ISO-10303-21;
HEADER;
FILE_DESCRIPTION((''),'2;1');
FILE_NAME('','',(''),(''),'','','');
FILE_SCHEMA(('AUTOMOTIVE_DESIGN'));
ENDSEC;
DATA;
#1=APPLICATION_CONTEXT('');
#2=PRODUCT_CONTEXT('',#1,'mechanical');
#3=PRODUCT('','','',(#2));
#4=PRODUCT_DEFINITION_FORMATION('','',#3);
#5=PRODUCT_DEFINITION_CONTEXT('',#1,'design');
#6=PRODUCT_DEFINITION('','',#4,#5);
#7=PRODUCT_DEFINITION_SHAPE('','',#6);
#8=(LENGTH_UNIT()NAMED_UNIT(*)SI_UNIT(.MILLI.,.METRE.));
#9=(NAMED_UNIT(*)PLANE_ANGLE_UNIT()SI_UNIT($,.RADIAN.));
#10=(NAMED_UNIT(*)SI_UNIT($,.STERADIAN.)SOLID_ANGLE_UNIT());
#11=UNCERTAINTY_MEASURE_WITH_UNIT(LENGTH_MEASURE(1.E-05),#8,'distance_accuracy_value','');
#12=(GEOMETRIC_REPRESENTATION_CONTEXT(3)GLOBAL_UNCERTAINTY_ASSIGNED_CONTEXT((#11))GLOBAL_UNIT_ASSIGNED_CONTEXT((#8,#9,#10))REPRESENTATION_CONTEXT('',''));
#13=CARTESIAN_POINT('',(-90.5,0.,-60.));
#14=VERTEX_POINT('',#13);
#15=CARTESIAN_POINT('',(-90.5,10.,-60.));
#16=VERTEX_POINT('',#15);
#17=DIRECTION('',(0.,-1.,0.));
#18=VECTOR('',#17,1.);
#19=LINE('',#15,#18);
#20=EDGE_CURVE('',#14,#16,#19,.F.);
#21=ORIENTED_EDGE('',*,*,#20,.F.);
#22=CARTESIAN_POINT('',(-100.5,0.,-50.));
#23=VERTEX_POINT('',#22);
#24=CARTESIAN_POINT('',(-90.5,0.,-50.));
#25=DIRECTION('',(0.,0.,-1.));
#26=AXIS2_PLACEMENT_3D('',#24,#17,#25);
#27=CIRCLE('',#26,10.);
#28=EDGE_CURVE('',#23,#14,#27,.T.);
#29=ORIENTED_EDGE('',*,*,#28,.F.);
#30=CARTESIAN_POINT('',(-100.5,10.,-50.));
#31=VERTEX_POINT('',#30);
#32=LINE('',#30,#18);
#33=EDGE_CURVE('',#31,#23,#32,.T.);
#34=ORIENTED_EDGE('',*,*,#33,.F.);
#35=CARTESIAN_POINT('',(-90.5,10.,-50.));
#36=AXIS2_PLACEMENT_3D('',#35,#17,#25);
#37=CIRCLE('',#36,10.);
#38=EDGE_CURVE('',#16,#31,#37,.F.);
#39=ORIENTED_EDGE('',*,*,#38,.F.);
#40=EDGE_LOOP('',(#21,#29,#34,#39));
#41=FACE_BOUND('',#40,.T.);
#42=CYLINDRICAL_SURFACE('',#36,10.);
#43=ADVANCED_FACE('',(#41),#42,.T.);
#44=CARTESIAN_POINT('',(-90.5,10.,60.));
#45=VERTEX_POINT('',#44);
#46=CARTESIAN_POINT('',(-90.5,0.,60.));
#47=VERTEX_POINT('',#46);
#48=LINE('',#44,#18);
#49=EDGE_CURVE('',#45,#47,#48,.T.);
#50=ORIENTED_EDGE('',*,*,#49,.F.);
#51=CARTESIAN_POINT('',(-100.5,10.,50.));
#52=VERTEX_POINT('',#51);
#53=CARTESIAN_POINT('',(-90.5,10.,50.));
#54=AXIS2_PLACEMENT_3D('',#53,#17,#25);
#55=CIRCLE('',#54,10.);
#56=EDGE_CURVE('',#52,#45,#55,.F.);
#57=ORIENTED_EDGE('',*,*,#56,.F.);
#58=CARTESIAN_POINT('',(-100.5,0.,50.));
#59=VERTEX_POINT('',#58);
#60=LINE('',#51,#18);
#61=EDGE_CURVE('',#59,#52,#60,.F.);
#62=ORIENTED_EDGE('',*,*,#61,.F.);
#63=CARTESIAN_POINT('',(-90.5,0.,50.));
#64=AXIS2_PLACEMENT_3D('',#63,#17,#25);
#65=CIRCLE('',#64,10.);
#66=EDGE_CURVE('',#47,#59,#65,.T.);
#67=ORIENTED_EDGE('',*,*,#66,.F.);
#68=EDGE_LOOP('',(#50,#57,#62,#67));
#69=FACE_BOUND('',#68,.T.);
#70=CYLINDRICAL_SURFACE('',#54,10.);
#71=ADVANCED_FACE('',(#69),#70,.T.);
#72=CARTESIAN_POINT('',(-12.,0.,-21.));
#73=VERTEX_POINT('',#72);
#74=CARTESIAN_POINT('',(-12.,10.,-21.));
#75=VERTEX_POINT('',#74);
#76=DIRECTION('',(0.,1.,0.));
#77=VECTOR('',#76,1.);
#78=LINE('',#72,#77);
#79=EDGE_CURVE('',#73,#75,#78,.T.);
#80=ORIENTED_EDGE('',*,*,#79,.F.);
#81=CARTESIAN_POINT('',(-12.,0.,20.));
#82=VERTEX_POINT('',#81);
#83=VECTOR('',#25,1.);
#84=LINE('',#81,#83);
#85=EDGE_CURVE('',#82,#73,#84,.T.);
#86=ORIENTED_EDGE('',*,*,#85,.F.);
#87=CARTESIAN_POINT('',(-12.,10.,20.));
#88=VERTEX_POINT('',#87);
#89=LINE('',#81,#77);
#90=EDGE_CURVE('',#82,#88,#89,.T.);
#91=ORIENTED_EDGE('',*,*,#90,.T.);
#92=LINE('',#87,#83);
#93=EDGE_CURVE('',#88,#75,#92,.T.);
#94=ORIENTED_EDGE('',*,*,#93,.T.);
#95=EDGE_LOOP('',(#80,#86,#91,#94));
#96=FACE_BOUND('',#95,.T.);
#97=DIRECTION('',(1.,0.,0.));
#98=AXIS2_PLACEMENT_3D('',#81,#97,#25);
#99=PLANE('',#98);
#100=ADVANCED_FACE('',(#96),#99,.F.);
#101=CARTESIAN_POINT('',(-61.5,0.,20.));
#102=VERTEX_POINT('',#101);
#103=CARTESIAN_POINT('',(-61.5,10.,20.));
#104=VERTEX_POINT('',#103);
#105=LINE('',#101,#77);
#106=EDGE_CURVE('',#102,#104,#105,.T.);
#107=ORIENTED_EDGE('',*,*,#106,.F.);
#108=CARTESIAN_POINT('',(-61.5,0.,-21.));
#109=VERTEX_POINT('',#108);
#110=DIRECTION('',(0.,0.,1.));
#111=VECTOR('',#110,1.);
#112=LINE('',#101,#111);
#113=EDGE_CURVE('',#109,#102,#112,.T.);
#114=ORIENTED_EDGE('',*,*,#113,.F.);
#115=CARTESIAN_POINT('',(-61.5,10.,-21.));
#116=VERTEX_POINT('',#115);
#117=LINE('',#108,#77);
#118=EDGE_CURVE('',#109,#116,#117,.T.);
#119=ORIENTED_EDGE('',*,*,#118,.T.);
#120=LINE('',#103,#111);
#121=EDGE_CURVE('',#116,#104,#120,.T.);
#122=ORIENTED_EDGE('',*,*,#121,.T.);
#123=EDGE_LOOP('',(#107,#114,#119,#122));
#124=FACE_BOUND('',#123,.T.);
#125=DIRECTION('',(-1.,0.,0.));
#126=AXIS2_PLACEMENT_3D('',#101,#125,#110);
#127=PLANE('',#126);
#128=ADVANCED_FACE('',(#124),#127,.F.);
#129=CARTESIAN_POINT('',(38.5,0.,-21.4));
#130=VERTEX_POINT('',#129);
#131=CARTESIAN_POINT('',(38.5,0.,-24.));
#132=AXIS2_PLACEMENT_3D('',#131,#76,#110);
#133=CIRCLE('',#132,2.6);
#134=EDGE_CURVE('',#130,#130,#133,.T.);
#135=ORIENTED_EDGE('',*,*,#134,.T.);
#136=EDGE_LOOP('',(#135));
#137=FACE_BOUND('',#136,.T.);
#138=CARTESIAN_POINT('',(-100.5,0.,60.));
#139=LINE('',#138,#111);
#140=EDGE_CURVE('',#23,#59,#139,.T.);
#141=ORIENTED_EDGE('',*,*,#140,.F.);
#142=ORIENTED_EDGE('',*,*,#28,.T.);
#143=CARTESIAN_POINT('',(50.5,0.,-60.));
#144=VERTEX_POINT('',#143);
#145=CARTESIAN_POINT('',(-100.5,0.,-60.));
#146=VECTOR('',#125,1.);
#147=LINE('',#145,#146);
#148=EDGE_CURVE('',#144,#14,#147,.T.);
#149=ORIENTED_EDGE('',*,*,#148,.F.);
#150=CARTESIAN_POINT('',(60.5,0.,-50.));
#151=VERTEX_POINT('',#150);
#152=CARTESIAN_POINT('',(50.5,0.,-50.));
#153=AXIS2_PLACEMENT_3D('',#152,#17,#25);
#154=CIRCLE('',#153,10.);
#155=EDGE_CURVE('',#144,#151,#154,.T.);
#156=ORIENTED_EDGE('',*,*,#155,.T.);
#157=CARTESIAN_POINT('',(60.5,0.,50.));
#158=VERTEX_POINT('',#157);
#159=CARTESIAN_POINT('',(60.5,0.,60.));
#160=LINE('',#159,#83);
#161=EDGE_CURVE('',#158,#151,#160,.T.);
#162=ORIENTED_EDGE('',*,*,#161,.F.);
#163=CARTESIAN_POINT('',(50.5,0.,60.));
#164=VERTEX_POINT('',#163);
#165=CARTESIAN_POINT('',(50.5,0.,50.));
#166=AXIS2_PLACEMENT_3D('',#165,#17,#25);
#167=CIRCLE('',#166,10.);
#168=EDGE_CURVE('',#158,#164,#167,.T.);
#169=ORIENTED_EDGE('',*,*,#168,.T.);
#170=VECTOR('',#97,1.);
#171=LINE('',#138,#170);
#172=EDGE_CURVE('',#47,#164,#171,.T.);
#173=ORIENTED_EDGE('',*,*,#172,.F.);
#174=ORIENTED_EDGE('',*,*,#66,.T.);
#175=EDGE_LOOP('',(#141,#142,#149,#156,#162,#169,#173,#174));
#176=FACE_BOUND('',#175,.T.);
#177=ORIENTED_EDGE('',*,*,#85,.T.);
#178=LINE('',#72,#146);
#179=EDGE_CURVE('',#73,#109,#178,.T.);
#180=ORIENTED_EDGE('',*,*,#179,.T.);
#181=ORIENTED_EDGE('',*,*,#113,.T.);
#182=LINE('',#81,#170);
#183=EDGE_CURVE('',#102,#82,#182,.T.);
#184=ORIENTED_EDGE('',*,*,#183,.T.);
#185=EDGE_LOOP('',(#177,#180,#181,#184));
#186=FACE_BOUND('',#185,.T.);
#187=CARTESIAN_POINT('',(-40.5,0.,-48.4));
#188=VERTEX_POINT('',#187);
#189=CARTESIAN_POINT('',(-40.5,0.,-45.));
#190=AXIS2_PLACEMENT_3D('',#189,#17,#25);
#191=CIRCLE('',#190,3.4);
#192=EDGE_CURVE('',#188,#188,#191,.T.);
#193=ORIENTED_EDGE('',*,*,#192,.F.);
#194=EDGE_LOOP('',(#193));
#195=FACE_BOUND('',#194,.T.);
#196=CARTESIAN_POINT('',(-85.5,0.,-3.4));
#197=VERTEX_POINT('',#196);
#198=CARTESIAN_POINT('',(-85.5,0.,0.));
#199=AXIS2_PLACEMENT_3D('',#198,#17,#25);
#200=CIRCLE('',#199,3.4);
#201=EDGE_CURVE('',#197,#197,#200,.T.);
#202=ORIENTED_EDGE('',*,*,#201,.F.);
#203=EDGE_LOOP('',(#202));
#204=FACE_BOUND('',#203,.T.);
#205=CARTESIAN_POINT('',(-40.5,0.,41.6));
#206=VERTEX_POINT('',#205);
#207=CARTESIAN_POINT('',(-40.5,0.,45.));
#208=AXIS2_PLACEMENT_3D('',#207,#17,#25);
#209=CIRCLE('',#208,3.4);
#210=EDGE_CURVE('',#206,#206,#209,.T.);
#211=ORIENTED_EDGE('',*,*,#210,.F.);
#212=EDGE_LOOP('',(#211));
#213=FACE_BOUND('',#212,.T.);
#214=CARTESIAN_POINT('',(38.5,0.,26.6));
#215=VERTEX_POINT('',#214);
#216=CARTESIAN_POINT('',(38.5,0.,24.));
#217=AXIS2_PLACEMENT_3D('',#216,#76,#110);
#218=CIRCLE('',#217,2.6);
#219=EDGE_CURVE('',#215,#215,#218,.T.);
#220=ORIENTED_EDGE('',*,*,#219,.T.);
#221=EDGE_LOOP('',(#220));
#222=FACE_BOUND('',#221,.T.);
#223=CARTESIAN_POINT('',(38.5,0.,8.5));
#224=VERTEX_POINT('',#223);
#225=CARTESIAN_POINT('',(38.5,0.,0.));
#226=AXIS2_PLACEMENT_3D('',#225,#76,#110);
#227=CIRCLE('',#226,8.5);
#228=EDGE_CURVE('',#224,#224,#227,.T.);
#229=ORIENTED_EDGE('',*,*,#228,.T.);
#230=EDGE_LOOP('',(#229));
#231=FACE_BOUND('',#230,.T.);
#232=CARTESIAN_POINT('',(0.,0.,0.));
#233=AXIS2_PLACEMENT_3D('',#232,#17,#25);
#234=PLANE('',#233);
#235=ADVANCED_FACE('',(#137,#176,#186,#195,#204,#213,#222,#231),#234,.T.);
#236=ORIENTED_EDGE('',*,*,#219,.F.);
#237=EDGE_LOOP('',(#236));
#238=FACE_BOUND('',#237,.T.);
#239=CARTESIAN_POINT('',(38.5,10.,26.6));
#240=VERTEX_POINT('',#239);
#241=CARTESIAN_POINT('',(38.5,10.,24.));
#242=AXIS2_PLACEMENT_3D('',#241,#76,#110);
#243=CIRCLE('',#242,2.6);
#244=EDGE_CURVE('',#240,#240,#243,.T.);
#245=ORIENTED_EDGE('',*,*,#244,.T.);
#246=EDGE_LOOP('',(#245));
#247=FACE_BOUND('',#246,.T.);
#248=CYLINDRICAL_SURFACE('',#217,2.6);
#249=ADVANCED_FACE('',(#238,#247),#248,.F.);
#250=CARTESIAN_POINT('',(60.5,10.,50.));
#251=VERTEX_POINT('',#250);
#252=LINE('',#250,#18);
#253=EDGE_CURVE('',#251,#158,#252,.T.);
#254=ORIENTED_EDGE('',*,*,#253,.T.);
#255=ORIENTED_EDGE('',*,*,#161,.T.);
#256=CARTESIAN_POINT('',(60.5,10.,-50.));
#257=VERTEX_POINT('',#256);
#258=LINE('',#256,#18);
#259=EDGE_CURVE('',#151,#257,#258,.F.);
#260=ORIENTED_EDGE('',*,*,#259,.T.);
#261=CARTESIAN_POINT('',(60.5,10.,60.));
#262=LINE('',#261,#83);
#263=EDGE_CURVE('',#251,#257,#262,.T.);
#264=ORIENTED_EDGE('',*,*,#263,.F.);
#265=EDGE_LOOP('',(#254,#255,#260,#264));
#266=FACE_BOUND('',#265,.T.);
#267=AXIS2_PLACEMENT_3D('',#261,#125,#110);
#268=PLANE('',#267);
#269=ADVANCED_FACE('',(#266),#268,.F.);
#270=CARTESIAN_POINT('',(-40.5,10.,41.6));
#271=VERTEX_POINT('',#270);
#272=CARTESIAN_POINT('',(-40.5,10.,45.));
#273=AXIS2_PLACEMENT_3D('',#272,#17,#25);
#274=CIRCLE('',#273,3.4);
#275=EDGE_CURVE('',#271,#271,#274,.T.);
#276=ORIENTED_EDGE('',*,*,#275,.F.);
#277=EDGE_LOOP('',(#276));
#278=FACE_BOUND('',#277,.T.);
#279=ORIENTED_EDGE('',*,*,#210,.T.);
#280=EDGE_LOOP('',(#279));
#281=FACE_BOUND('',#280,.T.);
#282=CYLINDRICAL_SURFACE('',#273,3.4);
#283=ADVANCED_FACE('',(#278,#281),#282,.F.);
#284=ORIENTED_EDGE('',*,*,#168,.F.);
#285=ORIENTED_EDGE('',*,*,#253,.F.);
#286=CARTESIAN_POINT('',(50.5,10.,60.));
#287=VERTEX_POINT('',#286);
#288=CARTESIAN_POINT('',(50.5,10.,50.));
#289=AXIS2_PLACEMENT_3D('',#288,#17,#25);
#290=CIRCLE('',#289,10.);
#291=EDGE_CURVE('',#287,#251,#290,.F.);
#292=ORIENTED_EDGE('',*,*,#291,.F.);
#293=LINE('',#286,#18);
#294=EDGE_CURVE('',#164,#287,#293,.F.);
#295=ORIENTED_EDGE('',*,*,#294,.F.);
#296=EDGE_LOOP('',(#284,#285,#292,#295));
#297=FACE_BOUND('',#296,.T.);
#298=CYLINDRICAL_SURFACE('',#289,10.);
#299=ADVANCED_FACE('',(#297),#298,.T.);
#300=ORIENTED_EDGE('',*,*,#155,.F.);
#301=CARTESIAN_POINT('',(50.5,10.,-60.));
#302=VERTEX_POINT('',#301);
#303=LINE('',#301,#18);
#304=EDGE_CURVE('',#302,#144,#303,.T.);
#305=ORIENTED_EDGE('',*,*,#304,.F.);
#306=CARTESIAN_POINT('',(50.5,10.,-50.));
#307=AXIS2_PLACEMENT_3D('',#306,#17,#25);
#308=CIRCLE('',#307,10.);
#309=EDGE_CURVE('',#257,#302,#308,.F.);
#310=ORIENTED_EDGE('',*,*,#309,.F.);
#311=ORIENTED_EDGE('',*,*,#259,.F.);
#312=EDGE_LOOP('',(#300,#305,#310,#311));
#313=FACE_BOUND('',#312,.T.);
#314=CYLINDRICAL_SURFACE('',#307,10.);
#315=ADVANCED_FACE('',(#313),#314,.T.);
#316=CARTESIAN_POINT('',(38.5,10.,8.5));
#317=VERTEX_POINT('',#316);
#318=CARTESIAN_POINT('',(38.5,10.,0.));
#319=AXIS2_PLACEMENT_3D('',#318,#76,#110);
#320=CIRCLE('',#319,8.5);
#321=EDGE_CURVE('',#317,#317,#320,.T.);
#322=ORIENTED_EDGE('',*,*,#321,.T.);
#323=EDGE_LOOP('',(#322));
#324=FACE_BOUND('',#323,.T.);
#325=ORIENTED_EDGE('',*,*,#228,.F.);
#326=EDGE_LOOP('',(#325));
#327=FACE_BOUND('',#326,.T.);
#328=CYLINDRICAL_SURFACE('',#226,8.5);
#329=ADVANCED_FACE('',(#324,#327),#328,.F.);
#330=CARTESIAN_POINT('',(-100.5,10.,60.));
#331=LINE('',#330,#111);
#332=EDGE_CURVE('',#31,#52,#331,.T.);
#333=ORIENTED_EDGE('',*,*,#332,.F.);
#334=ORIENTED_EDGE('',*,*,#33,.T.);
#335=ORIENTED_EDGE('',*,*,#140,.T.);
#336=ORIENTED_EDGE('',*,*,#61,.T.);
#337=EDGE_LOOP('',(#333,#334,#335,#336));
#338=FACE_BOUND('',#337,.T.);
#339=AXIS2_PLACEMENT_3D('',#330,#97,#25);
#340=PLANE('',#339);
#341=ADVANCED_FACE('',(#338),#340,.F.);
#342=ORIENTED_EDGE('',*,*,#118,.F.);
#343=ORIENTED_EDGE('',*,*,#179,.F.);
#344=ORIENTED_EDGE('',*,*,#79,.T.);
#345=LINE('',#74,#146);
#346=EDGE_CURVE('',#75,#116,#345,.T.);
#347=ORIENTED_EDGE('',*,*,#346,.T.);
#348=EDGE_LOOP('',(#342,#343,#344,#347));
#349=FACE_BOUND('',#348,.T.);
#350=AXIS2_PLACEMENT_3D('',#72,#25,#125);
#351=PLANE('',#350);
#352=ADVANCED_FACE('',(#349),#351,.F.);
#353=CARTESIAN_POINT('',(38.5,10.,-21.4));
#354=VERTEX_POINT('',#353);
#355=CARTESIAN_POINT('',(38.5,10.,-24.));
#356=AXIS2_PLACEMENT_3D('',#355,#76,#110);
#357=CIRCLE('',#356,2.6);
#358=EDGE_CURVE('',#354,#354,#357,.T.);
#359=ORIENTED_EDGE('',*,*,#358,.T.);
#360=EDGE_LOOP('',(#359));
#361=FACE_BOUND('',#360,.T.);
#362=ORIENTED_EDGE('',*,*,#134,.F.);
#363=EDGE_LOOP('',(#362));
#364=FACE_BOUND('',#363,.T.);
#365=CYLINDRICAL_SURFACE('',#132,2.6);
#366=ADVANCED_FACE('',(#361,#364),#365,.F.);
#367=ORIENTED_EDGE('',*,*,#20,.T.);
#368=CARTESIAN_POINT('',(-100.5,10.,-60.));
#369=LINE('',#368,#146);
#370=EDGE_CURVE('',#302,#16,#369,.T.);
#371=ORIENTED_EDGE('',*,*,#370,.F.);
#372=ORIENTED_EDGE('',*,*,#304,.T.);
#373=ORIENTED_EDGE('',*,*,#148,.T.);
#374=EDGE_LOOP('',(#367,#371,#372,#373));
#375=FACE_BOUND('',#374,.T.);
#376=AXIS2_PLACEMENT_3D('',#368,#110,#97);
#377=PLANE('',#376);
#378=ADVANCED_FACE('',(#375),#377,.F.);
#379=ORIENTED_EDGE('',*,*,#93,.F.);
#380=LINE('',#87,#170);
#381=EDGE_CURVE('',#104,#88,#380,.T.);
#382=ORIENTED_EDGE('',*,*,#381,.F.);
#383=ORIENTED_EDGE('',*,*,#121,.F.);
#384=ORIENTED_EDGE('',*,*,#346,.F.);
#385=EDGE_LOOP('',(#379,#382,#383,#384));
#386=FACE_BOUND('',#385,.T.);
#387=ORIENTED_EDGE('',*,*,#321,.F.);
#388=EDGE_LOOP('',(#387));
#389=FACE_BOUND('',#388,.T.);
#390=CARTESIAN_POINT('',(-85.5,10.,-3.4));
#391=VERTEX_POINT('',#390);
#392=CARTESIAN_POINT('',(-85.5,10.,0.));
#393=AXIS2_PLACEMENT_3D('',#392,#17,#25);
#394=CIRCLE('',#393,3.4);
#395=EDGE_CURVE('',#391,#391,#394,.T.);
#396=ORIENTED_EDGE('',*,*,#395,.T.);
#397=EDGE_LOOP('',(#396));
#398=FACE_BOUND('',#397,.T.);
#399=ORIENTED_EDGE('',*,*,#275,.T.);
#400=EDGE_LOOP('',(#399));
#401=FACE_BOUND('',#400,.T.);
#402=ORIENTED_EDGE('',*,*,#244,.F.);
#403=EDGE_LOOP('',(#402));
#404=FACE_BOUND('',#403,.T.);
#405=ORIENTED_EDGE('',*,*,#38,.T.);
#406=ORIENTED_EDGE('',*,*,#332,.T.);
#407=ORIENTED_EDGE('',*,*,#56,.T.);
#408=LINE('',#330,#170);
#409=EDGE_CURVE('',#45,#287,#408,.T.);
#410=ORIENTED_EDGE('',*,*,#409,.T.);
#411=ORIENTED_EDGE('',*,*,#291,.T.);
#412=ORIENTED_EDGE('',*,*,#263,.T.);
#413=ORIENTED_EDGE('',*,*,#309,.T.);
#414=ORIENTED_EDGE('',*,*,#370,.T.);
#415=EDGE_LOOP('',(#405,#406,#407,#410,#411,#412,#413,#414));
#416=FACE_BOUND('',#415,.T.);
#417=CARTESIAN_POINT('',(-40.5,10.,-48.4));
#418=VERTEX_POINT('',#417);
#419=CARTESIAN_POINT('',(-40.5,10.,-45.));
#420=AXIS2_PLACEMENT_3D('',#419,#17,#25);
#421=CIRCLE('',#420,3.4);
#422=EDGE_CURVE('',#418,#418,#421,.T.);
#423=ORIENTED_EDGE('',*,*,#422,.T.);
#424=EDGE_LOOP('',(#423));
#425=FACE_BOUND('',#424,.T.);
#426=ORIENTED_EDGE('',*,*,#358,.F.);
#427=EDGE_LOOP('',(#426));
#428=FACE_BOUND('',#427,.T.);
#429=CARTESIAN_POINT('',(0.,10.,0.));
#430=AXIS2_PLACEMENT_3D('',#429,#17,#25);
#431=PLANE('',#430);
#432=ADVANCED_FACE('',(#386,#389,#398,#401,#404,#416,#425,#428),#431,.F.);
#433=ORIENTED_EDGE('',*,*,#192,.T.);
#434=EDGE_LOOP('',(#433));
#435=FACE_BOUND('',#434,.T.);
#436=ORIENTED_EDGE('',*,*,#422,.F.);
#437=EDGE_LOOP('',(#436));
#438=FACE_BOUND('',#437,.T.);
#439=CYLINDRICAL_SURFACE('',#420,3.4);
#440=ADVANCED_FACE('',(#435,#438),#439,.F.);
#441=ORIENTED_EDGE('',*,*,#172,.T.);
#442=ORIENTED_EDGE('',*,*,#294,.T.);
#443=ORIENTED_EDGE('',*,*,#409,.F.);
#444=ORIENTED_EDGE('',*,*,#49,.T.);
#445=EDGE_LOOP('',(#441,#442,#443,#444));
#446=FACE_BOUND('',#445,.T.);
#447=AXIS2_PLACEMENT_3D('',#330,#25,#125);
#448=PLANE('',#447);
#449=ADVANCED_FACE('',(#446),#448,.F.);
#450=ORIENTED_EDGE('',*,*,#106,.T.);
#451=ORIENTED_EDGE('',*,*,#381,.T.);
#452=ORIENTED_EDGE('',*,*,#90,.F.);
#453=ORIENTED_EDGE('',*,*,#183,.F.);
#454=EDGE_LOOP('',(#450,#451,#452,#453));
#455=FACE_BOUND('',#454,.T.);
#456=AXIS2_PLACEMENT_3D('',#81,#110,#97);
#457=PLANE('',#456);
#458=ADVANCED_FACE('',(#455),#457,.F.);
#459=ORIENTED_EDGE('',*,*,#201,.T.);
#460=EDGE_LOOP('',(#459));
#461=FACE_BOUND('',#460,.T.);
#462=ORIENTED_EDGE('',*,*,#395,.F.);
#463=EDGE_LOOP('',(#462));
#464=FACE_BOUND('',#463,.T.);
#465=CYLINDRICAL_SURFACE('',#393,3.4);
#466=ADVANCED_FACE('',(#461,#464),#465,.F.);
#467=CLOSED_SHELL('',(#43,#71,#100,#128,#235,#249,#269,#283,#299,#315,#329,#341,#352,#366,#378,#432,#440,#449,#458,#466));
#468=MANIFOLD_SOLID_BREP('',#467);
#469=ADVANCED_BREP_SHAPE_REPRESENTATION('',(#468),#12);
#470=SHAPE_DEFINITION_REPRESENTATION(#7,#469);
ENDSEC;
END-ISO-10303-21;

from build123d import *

# Parameters (mm, degrees)
SKETCH_1_W          = 161
SKETCH_1_H          = 120
EXTRUDE_1_DEPTH     = 10
FILLET_1_R          = 10
SKETCH_2_W          = 49.5
SKETCH_2_H          = 41
CUT_EXTRUDE_1_DEPTH = 10
SKETCH_3_R          = 8.5
CUT_EXTRUDE_2_DEPTH = 10
FILLET_2_R          = 10
SKETCH_5_R          = 3.4
CUT_EXTRUDE_4_DEPTH = 118.474465311
SKETCH_6_R          = 2.6
CUT_EXTRUDE_5_DEPTH = 10


with BuildPart() as part:
    # 草图1 → 凸台-拉伸1 (new body)
    with BuildSketch(Plane(origin=(0, 0, 0), x_dir=(1, 0, 0), z_dir=(0, 1, 0))):
        with Locations((-20, 0)):
            Rectangle(SKETCH_1_W, SKETCH_1_H)
    extrude(amount=EXTRUDE_1_DEPTH)

    # 圆角1
    fillet_1_edges = [part.edges().sort_by_distance(p)[0] for p in [
        (60.5, 5, 60),
        (60.5, 5, -60),
    ]]
    fillet(fillet_1_edges, radius=FILLET_1_R)

    # 草图2 → 切除-拉伸1 (cut)
    with BuildSketch(Plane(origin=(0, 10, 0), x_dir=(1, 0, 0), z_dir=(0, 1, 0))):
        with Locations((-36.75, 0.5)):
            Rectangle(SKETCH_2_W, SKETCH_2_H)
    extrude(amount=-CUT_EXTRUDE_1_DEPTH, mode=Mode.SUBTRACT)

    # 草图3 → 切除-拉伸2 (cut)
    with BuildSketch(Plane(origin=(0, 10, 0), x_dir=(1, 0, 0), z_dir=(0, 1, 0))):
        with Locations(Location((38.5, 0, 0), (0, 0, 270))):
            Circle(SKETCH_3_R)
    extrude(amount=-CUT_EXTRUDE_2_DEPTH, mode=Mode.SUBTRACT)

    # 圆角2
    fillet_2_edges = [part.edges().sort_by_distance(p)[0] for p in [
        (-100.5, 5, 60),
        (-100.5, 5, -60),
    ]]
    fillet(fillet_2_edges, radius=FILLET_2_R)

    # 草图5 → 切除-拉伸4 (cut, through all)
    with BuildSketch(Plane.XZ):
        with Locations(Location((-40.5, 45, 0), (0, 0, 270))):
            Circle(SKETCH_5_R)
        with Locations(Location((-85.5, 0, 0), (0, 0, 270))):
            Circle(SKETCH_5_R)
        with Locations(Location((-40.5, -45, 0), (0, 0, 270))):
            Circle(SKETCH_5_R)
    extrude(amount=-CUT_EXTRUDE_4_DEPTH, mode=Mode.SUBTRACT)

    # 草图6 → 切除-拉伸5 (cut)
    with BuildSketch(Plane(origin=(0, 10, 0), x_dir=(1, 0, 0), z_dir=(0, 1, 0))):
        with Locations(Location((38.5, 24, 0), (0, 0, 270))):
            Circle(SKETCH_6_R)
        with Locations(Location((38.5, -24, 0), (0, 0, 270))):
            Circle(SKETCH_6_R)
    extrude(amount=-CUT_EXTRUDE_5_DEPTH, mode=Mode.SUBTRACT)


solid = part.part
